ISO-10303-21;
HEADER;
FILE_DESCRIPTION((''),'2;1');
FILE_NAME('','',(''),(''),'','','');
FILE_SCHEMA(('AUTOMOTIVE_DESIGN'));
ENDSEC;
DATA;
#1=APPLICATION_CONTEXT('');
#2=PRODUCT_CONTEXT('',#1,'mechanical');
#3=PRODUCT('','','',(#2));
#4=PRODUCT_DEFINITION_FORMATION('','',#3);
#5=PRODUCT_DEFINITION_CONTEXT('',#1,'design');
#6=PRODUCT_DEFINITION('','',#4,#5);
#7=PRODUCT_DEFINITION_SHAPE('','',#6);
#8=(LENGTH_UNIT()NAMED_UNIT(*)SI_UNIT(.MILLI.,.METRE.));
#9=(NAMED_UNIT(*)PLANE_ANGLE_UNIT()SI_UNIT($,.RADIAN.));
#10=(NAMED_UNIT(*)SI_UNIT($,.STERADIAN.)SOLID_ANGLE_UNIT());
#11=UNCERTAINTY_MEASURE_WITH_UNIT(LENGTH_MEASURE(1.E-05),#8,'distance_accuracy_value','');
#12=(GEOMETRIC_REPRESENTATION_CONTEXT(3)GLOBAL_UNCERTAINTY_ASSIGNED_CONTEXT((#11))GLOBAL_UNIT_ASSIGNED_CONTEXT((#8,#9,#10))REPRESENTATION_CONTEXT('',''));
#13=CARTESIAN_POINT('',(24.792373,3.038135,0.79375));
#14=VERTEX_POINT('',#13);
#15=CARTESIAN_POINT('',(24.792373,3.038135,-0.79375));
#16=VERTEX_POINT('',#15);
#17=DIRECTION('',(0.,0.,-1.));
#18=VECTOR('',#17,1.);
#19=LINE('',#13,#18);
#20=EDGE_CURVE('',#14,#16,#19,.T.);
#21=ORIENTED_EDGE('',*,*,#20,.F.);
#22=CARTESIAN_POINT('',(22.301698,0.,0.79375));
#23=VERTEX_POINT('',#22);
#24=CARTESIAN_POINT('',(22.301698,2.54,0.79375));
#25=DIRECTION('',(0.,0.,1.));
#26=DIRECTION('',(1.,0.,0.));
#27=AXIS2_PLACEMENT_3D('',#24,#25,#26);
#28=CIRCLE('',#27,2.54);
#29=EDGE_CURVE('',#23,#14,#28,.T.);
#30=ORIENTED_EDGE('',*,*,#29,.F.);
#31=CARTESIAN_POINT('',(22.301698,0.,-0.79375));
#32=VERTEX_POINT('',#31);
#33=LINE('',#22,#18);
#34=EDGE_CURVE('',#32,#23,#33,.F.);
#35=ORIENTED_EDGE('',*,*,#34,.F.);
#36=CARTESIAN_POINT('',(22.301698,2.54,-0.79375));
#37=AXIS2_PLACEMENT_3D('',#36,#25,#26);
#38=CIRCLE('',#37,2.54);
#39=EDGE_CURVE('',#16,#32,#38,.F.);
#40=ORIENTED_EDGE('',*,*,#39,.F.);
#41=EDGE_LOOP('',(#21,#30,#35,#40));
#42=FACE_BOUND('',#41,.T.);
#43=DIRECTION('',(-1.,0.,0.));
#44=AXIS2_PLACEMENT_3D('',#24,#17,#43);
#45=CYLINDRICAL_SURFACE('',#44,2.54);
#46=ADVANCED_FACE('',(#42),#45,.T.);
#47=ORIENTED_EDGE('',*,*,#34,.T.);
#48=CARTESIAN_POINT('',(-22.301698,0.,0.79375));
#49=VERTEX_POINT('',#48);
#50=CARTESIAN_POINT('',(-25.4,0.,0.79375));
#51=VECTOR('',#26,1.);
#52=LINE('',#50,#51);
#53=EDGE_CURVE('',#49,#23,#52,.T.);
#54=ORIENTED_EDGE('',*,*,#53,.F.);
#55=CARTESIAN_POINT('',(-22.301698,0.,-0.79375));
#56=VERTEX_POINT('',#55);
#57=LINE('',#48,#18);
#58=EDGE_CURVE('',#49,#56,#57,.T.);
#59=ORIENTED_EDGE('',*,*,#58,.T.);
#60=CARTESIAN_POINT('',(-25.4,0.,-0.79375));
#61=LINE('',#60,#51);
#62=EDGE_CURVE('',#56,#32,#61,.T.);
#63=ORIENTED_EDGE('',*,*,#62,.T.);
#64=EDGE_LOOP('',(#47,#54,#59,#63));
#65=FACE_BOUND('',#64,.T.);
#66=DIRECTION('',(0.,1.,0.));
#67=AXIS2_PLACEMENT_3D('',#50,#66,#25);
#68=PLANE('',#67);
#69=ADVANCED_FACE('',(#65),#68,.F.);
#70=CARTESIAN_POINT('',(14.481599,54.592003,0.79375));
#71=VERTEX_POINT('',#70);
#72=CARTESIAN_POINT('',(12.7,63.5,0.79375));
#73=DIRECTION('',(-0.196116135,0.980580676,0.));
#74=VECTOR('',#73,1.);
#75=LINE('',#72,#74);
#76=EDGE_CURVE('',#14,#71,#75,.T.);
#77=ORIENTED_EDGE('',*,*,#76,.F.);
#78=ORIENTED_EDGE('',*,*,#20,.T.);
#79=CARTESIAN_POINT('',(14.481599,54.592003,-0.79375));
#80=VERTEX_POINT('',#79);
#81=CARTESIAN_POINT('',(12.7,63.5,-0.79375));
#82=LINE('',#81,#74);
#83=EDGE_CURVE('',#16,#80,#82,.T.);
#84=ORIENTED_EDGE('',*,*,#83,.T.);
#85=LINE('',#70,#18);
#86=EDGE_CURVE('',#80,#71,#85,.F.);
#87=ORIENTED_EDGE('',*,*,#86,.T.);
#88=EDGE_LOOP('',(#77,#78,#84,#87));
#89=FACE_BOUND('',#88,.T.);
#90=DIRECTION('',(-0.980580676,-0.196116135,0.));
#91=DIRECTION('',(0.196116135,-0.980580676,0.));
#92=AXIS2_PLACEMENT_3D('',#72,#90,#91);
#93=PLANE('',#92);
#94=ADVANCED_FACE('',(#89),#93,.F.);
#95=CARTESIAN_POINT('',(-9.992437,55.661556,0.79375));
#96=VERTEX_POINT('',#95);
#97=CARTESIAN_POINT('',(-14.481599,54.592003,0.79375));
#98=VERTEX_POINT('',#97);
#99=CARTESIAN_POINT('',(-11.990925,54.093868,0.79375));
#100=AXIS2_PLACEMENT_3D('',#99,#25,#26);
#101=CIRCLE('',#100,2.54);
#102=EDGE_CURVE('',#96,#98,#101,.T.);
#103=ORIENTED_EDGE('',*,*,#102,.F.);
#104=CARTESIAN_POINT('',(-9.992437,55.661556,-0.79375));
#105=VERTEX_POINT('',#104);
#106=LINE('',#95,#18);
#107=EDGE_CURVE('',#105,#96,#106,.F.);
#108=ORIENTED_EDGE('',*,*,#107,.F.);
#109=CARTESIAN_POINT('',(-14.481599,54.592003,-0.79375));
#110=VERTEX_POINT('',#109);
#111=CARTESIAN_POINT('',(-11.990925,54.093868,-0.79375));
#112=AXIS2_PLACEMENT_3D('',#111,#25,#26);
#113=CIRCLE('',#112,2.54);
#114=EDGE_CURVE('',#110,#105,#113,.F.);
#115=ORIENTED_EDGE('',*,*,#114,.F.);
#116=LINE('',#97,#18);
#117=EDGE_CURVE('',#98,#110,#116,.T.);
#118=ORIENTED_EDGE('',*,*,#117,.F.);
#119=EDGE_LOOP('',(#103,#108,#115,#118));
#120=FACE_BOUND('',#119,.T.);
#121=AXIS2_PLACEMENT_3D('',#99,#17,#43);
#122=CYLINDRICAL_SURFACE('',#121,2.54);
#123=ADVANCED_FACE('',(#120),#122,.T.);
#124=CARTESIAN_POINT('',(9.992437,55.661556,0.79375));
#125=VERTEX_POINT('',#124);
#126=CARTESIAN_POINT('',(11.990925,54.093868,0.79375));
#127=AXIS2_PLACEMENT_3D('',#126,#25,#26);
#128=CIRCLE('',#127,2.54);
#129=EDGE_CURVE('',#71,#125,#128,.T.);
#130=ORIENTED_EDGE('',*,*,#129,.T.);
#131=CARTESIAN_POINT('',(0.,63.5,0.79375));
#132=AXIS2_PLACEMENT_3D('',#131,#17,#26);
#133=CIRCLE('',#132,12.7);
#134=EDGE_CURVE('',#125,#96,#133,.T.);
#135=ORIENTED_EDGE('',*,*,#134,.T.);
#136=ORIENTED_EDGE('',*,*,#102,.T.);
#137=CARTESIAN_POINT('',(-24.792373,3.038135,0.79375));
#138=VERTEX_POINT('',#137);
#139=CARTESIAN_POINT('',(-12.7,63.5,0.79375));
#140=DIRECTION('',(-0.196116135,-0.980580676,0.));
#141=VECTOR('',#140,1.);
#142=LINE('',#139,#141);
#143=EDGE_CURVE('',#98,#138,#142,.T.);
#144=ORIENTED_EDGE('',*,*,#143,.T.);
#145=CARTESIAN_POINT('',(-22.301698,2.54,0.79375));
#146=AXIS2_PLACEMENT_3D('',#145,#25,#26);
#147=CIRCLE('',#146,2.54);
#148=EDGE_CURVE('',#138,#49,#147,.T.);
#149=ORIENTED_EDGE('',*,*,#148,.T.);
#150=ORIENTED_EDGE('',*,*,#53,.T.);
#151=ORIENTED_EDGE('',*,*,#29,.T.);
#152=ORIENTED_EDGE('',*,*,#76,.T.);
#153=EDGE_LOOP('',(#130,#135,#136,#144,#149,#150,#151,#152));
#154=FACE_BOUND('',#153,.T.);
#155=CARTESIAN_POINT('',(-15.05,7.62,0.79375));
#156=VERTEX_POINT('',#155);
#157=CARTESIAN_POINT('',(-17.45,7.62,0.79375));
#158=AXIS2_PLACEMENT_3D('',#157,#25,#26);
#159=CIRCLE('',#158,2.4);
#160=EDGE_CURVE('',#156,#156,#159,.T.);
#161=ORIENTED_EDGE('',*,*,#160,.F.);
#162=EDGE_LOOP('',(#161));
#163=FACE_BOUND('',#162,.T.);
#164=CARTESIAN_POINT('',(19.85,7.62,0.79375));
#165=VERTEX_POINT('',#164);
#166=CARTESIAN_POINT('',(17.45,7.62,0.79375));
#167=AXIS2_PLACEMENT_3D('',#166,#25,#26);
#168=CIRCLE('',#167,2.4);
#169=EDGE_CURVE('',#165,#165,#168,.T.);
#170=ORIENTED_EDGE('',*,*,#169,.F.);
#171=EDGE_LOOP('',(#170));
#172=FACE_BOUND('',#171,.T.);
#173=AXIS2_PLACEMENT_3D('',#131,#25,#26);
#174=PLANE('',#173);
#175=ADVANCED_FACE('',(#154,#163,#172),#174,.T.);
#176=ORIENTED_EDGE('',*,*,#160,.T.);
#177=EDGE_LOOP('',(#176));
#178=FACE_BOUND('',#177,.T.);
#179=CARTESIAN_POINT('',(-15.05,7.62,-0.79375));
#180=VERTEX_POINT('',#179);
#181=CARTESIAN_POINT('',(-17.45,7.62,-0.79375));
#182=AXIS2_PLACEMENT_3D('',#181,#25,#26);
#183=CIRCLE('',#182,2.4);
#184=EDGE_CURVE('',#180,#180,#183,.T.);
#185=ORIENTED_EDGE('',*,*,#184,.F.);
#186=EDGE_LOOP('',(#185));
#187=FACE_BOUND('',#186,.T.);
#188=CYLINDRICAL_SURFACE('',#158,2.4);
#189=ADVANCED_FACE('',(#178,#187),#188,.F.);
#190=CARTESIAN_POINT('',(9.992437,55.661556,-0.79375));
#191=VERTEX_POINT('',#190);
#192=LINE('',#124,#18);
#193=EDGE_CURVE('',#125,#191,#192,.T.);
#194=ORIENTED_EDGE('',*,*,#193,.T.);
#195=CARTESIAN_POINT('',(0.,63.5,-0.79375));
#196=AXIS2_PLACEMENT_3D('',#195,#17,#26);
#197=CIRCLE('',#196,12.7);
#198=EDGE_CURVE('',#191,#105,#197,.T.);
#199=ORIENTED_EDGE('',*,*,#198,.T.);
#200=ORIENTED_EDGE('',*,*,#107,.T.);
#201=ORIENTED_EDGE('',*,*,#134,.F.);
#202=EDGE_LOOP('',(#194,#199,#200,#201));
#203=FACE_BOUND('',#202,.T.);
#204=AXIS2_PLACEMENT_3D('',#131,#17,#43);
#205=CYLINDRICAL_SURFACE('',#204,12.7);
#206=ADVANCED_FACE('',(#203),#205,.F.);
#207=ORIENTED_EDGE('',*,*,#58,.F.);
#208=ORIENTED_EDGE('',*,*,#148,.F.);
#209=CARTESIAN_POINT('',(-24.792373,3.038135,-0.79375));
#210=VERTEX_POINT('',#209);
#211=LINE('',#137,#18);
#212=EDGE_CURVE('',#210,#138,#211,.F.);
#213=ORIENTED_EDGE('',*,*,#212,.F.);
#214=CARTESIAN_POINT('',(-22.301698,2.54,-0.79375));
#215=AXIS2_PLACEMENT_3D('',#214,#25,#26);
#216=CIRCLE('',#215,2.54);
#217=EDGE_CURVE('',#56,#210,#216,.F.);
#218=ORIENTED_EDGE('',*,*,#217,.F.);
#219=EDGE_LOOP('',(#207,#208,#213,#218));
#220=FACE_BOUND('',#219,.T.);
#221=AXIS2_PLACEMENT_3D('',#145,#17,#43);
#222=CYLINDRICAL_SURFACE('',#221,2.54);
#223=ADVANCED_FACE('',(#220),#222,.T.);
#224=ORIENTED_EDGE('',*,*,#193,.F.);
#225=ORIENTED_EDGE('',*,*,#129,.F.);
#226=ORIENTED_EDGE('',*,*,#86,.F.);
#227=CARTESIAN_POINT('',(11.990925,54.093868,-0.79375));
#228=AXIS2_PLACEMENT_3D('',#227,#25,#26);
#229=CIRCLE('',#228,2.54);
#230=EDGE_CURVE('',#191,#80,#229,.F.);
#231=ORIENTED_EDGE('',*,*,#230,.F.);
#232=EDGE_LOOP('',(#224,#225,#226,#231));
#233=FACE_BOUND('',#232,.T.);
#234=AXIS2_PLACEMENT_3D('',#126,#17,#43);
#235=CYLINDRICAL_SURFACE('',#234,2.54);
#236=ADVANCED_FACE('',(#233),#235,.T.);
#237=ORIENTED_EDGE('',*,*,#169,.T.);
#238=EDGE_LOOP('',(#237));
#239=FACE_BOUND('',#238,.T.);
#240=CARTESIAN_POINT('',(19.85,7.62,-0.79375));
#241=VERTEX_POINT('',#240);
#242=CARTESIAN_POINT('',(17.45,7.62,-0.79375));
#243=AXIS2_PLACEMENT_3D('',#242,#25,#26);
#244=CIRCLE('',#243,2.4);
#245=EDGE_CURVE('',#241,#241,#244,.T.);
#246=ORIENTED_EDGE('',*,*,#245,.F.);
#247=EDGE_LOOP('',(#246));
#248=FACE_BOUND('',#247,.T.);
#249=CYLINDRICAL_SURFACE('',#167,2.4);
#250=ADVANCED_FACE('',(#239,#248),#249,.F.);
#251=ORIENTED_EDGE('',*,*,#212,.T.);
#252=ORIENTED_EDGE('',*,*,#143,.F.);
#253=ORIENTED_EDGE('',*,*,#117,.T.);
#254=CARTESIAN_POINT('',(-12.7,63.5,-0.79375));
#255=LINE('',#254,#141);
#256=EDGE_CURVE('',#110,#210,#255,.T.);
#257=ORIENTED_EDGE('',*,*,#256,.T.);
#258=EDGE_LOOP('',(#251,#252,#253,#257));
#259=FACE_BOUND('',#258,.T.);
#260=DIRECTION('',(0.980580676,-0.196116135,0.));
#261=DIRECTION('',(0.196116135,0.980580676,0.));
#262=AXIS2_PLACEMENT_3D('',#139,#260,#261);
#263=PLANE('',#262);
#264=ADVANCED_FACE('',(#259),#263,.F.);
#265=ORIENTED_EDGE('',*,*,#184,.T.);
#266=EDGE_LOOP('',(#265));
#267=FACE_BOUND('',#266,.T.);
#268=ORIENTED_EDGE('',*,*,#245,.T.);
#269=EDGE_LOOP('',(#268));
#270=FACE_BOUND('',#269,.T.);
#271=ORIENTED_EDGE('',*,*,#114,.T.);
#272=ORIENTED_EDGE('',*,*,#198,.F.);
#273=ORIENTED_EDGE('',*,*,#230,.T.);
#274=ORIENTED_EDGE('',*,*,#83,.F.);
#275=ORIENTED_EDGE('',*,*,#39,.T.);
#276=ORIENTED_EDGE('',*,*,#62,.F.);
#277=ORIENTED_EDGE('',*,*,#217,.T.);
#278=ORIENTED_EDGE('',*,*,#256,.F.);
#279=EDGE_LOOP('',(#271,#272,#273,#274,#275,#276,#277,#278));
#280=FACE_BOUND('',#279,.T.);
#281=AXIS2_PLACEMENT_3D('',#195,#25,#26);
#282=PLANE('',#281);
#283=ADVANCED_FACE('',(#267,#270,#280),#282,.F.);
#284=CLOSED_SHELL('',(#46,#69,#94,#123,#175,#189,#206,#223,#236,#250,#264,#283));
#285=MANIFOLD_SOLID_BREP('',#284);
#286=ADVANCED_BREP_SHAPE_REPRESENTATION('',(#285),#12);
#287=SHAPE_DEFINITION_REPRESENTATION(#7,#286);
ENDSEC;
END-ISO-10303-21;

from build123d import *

# Parameters (mm, degrees)
BOSS_EXTRUDE1_DEPTH  = 0.79375
M4_CLEARANCE_HOLE1_D = 4.8
FILLET1_R            = 2.54


with BuildPart() as part:
    # Sketch1 → Boss-Extrude1 (new, symmetric)
    with BuildSketch(Plane.XY):
        with BuildLine():
            Line((-25.4, 0), (25.4, 0))
            Line((25.4, 0), (12.7, 63.5))
            ThreePointArc((12.7, 63.5), (0, 50.8), (-12.7, 63.5))
            Line((-12.7, 63.5), (-25.4, 0))
        make_face()
    extrude(amount=BOSS_EXTRUDE1_DEPTH, both=True)

    # M4 Clearance Hole1 (through all)
    with Locations(Plane.XY.offset(0.79375)):
        with Locations((17.45, 7.62), (-17.45, 7.62)):
            Hole(M4_CLEARANCE_HOLE1_D / 2)

    # Fillet1
    fillet1_edges = [part.edges().sort_by_distance(p)[0] for p in [
        (12.7, 63.5, 0),
        (25.4, 0, 0),
        (-25.4, 0, 0),
        (-12.7, 63.5, 0),
    ]]
    fillet(fillet1_edges, radius=FILLET1_R)


solid = part.part
